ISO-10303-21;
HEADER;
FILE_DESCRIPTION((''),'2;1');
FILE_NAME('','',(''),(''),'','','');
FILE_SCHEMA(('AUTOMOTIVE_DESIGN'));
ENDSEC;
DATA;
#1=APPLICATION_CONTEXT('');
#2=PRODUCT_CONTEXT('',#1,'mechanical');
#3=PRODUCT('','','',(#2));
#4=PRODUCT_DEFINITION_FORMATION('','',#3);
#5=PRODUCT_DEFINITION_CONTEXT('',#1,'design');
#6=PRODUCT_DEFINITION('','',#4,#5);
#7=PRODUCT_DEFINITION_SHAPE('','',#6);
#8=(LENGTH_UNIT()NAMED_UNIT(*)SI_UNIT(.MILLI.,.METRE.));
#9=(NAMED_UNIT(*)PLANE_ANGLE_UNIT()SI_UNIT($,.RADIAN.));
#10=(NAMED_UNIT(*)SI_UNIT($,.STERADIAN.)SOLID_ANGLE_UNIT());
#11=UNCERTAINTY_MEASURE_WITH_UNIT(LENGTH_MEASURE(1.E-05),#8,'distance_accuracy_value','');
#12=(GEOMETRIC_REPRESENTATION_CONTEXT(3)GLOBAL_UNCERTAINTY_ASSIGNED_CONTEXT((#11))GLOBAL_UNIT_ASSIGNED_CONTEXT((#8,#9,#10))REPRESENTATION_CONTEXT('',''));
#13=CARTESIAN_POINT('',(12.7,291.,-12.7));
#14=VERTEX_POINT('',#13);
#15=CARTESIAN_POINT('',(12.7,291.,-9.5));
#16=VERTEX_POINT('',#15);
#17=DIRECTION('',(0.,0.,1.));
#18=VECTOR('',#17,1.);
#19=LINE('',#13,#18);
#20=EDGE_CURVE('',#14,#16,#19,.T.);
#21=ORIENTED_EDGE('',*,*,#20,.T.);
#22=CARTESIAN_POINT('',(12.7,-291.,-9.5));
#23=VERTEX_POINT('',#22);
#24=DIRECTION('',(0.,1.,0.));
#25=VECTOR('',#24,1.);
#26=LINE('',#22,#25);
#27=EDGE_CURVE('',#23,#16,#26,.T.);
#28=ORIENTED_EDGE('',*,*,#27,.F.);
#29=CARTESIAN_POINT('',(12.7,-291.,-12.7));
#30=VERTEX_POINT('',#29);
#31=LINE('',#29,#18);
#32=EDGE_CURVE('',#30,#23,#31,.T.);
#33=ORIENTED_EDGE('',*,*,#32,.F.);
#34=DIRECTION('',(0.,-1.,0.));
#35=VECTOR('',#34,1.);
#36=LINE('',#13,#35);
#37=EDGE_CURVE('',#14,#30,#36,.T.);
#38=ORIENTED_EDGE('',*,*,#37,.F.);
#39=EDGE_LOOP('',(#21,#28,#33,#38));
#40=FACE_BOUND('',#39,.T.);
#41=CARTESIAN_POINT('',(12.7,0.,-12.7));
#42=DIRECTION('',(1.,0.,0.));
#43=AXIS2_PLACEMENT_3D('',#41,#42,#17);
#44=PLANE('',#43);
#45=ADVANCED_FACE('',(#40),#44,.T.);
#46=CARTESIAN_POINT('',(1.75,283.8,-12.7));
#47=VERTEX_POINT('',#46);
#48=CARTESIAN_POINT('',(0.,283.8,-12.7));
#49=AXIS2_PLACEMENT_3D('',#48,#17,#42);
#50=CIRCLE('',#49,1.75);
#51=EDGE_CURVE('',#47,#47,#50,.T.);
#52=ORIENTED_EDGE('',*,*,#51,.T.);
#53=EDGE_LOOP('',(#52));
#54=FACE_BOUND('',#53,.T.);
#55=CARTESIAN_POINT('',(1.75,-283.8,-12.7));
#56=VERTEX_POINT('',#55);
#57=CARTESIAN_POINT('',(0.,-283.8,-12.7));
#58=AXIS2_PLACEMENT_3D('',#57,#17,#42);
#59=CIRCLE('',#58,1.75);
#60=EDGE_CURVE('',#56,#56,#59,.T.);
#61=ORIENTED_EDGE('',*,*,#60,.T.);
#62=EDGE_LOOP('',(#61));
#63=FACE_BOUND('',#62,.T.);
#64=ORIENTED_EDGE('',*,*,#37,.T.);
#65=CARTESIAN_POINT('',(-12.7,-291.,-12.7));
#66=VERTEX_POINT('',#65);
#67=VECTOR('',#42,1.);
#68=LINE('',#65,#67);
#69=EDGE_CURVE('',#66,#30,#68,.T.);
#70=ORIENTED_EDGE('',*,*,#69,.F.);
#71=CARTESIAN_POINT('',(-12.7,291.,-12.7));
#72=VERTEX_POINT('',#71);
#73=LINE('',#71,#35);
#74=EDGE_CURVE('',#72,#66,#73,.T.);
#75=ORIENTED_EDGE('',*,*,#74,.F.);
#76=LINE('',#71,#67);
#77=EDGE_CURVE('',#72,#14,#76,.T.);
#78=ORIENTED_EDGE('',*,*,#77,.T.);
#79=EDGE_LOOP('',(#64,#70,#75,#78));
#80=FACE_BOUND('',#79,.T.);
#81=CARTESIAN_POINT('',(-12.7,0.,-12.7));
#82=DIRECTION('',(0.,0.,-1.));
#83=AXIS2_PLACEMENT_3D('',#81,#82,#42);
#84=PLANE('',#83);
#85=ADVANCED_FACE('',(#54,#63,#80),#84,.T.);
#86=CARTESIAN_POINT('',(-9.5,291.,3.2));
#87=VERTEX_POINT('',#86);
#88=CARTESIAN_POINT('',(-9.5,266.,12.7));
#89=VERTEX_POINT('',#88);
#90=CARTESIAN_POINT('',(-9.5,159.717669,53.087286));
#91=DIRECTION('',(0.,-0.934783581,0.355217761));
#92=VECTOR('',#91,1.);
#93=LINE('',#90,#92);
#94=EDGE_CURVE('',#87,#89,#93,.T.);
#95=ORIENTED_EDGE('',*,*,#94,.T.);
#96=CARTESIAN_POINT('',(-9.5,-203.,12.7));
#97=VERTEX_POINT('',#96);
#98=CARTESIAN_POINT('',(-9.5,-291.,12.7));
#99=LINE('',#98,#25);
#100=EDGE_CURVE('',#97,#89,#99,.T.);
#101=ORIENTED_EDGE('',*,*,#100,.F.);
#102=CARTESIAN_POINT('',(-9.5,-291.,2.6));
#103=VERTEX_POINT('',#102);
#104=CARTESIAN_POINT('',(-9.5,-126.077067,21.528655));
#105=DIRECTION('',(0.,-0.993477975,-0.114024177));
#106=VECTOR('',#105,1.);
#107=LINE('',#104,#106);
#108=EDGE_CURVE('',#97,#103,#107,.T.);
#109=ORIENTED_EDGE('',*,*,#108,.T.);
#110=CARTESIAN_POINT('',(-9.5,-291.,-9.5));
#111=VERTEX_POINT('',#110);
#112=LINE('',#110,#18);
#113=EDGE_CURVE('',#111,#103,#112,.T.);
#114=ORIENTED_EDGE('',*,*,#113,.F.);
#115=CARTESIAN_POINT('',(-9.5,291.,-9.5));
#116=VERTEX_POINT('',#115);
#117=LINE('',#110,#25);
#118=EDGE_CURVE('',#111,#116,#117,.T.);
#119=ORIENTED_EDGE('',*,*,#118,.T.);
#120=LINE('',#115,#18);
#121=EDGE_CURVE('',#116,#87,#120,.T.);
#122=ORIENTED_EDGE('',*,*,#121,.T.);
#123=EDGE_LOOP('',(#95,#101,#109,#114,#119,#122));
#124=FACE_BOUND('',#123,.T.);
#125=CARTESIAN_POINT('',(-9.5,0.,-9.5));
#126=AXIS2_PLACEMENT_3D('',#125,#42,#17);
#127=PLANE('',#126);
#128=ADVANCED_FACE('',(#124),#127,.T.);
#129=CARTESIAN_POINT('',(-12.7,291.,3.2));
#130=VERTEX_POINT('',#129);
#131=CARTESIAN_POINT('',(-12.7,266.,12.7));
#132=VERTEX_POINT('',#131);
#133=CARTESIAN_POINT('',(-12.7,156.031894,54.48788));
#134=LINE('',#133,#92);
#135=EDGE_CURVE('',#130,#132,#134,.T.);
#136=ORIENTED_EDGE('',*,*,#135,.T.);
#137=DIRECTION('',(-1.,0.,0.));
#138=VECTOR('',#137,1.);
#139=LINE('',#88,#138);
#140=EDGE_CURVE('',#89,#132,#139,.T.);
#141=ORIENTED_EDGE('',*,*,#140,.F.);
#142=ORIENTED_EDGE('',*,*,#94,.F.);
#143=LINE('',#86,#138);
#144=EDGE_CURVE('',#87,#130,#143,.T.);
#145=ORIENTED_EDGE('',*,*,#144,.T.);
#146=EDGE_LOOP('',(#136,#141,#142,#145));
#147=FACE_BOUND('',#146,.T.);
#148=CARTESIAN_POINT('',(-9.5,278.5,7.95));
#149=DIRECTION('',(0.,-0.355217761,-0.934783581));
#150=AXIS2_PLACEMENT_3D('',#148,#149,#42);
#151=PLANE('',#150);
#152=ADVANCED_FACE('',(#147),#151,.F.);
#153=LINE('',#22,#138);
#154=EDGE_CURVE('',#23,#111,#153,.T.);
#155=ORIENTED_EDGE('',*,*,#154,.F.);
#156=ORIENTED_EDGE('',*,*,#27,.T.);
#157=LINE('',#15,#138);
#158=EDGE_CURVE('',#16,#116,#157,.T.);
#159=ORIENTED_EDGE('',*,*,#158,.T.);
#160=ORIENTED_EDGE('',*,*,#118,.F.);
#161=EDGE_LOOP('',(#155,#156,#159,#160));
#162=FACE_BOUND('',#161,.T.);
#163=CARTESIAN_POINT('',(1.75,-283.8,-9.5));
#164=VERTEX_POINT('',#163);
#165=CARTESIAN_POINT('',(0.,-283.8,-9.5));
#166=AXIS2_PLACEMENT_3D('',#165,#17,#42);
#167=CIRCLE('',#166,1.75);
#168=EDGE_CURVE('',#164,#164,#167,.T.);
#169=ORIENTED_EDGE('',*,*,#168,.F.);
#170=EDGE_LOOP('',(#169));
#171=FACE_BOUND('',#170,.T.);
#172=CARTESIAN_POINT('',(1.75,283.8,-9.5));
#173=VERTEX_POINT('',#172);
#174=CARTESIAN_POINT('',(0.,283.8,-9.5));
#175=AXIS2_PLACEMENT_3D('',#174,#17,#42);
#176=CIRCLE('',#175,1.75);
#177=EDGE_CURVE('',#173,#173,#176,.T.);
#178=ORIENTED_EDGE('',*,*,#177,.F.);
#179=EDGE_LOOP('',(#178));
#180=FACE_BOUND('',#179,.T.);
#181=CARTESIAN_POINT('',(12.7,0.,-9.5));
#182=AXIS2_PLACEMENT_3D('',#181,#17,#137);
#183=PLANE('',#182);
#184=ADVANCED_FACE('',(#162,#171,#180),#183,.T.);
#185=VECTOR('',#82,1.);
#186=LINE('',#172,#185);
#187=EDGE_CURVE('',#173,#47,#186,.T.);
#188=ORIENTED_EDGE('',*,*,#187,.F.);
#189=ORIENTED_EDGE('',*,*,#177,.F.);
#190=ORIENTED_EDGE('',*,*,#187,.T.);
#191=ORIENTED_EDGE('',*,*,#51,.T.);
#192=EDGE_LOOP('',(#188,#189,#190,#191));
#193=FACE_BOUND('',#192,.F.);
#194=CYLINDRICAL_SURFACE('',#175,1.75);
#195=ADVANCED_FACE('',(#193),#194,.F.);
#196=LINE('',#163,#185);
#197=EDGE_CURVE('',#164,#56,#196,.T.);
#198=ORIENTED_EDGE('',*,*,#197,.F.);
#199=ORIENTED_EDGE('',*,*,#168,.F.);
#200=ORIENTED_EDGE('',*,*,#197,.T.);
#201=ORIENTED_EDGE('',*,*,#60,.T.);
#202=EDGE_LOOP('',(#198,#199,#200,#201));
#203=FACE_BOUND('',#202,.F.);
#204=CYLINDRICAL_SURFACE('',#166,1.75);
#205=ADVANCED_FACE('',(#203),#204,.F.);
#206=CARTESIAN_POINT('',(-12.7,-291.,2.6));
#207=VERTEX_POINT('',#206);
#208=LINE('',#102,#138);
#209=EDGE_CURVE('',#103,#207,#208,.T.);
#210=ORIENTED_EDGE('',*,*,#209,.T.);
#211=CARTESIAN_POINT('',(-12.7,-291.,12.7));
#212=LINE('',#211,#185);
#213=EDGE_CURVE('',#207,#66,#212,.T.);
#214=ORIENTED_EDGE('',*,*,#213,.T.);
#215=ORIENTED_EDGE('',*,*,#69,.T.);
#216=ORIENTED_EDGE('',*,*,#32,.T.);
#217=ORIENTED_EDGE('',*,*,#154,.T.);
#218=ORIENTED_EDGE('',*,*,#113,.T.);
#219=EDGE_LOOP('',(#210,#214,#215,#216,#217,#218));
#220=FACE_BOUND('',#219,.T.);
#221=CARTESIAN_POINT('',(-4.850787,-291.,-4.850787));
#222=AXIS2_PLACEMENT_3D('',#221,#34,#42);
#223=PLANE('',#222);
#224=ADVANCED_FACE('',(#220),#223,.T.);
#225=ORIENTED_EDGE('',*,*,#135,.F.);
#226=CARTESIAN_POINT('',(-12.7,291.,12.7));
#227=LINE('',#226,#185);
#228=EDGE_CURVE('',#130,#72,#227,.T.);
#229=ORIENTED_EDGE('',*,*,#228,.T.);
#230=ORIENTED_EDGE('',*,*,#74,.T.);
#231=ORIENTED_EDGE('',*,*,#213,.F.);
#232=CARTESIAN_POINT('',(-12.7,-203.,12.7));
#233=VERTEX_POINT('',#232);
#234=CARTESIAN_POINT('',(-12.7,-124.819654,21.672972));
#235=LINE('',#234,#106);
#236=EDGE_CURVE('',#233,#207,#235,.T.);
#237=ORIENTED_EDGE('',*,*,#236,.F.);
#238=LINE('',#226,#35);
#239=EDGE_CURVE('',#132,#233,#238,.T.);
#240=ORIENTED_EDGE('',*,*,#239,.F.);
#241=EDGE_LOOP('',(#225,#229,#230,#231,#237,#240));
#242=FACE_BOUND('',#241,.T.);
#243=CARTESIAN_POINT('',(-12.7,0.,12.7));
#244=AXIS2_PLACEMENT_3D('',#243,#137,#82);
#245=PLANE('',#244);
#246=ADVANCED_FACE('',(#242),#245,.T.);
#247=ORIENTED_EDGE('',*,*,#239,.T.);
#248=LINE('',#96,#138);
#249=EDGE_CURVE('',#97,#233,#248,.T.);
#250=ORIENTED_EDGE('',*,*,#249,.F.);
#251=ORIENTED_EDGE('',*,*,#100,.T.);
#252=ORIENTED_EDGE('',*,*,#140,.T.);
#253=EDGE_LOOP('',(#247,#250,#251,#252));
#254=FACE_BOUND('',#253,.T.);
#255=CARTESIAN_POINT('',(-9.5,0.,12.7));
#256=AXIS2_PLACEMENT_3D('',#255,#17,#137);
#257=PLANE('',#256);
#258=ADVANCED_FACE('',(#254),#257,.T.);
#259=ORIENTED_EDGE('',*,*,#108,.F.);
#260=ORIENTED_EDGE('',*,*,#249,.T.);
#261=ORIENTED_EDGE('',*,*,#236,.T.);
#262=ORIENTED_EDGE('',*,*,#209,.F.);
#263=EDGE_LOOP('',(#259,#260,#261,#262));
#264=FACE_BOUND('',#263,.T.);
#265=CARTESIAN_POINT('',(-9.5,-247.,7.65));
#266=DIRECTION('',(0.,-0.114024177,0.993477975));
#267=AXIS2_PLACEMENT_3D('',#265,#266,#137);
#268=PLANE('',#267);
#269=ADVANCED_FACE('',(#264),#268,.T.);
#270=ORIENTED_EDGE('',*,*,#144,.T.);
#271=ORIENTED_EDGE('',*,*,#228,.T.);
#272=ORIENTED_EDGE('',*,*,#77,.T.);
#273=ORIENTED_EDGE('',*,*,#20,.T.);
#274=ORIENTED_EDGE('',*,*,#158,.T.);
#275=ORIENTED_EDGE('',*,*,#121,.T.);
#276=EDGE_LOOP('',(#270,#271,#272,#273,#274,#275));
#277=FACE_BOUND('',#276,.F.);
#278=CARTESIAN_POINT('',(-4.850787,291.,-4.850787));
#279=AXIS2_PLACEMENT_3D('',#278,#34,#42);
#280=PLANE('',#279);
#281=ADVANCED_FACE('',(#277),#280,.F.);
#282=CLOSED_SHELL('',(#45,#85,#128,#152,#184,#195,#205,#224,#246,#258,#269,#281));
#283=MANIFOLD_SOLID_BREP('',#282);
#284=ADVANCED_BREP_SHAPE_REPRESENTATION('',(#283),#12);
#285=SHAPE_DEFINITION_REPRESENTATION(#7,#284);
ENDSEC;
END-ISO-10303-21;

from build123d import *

# Parameters (mm, degrees)
F1_DEPTH = 291
F2_SIZE2 = 10.1
F2_SIZE  = 88
F3_SIZE2 = 25
F3_SIZE  = 9.5
F4_R     = 1.75
F5_DEPTH = 3.2


with BuildPart() as f1:
    # F0 (on Front) → F1 (new body, symmetric)
    with BuildSketch(Plane.XZ):
        Polygon((-9.5, 12.7), (-12.7, 12.7), (-12.7, -12.7), (12.7, -12.7), (12.7, -9.5), (-9.5, -9.5), align=None)
    extrude(amount=F1_DEPTH, both=True)

    # F2
    f2_edges = [f1.edges().sort_by_distance(p)[0] for p in [
        (-11.1, -291, 12.7),
    ]]
    f2_side = f1.faces().sort_by_distance((-11.1, 0, 12.7))[0]
    chamfer(f2_edges, length=F2_SIZE, length2=F2_SIZE2, reference=f2_side)

    # F3
    f3_edges = [f1.edges().sort_by_distance(p)[0] for p in [
        (-11.1, 291, 12.7),
    ]]
    f3_side = f1.faces().sort_by_distance((-11.1, 291, 12.34079))[0]
    chamfer(f3_edges, length=F3_SIZE, length2=F3_SIZE2, reference=f3_side)

    # F4 (on face) → F5 (cut, through all)
    with BuildSketch(Plane.XY.offset(-9.5)):
        with Locations((0, -283.8)):
            Circle(F4_R)
        with Locations((0, 283.8)):
            Circle(F4_R)
    extrude(amount=-F5_DEPTH, mode=Mode.SUBTRACT)


solid = f1.part
